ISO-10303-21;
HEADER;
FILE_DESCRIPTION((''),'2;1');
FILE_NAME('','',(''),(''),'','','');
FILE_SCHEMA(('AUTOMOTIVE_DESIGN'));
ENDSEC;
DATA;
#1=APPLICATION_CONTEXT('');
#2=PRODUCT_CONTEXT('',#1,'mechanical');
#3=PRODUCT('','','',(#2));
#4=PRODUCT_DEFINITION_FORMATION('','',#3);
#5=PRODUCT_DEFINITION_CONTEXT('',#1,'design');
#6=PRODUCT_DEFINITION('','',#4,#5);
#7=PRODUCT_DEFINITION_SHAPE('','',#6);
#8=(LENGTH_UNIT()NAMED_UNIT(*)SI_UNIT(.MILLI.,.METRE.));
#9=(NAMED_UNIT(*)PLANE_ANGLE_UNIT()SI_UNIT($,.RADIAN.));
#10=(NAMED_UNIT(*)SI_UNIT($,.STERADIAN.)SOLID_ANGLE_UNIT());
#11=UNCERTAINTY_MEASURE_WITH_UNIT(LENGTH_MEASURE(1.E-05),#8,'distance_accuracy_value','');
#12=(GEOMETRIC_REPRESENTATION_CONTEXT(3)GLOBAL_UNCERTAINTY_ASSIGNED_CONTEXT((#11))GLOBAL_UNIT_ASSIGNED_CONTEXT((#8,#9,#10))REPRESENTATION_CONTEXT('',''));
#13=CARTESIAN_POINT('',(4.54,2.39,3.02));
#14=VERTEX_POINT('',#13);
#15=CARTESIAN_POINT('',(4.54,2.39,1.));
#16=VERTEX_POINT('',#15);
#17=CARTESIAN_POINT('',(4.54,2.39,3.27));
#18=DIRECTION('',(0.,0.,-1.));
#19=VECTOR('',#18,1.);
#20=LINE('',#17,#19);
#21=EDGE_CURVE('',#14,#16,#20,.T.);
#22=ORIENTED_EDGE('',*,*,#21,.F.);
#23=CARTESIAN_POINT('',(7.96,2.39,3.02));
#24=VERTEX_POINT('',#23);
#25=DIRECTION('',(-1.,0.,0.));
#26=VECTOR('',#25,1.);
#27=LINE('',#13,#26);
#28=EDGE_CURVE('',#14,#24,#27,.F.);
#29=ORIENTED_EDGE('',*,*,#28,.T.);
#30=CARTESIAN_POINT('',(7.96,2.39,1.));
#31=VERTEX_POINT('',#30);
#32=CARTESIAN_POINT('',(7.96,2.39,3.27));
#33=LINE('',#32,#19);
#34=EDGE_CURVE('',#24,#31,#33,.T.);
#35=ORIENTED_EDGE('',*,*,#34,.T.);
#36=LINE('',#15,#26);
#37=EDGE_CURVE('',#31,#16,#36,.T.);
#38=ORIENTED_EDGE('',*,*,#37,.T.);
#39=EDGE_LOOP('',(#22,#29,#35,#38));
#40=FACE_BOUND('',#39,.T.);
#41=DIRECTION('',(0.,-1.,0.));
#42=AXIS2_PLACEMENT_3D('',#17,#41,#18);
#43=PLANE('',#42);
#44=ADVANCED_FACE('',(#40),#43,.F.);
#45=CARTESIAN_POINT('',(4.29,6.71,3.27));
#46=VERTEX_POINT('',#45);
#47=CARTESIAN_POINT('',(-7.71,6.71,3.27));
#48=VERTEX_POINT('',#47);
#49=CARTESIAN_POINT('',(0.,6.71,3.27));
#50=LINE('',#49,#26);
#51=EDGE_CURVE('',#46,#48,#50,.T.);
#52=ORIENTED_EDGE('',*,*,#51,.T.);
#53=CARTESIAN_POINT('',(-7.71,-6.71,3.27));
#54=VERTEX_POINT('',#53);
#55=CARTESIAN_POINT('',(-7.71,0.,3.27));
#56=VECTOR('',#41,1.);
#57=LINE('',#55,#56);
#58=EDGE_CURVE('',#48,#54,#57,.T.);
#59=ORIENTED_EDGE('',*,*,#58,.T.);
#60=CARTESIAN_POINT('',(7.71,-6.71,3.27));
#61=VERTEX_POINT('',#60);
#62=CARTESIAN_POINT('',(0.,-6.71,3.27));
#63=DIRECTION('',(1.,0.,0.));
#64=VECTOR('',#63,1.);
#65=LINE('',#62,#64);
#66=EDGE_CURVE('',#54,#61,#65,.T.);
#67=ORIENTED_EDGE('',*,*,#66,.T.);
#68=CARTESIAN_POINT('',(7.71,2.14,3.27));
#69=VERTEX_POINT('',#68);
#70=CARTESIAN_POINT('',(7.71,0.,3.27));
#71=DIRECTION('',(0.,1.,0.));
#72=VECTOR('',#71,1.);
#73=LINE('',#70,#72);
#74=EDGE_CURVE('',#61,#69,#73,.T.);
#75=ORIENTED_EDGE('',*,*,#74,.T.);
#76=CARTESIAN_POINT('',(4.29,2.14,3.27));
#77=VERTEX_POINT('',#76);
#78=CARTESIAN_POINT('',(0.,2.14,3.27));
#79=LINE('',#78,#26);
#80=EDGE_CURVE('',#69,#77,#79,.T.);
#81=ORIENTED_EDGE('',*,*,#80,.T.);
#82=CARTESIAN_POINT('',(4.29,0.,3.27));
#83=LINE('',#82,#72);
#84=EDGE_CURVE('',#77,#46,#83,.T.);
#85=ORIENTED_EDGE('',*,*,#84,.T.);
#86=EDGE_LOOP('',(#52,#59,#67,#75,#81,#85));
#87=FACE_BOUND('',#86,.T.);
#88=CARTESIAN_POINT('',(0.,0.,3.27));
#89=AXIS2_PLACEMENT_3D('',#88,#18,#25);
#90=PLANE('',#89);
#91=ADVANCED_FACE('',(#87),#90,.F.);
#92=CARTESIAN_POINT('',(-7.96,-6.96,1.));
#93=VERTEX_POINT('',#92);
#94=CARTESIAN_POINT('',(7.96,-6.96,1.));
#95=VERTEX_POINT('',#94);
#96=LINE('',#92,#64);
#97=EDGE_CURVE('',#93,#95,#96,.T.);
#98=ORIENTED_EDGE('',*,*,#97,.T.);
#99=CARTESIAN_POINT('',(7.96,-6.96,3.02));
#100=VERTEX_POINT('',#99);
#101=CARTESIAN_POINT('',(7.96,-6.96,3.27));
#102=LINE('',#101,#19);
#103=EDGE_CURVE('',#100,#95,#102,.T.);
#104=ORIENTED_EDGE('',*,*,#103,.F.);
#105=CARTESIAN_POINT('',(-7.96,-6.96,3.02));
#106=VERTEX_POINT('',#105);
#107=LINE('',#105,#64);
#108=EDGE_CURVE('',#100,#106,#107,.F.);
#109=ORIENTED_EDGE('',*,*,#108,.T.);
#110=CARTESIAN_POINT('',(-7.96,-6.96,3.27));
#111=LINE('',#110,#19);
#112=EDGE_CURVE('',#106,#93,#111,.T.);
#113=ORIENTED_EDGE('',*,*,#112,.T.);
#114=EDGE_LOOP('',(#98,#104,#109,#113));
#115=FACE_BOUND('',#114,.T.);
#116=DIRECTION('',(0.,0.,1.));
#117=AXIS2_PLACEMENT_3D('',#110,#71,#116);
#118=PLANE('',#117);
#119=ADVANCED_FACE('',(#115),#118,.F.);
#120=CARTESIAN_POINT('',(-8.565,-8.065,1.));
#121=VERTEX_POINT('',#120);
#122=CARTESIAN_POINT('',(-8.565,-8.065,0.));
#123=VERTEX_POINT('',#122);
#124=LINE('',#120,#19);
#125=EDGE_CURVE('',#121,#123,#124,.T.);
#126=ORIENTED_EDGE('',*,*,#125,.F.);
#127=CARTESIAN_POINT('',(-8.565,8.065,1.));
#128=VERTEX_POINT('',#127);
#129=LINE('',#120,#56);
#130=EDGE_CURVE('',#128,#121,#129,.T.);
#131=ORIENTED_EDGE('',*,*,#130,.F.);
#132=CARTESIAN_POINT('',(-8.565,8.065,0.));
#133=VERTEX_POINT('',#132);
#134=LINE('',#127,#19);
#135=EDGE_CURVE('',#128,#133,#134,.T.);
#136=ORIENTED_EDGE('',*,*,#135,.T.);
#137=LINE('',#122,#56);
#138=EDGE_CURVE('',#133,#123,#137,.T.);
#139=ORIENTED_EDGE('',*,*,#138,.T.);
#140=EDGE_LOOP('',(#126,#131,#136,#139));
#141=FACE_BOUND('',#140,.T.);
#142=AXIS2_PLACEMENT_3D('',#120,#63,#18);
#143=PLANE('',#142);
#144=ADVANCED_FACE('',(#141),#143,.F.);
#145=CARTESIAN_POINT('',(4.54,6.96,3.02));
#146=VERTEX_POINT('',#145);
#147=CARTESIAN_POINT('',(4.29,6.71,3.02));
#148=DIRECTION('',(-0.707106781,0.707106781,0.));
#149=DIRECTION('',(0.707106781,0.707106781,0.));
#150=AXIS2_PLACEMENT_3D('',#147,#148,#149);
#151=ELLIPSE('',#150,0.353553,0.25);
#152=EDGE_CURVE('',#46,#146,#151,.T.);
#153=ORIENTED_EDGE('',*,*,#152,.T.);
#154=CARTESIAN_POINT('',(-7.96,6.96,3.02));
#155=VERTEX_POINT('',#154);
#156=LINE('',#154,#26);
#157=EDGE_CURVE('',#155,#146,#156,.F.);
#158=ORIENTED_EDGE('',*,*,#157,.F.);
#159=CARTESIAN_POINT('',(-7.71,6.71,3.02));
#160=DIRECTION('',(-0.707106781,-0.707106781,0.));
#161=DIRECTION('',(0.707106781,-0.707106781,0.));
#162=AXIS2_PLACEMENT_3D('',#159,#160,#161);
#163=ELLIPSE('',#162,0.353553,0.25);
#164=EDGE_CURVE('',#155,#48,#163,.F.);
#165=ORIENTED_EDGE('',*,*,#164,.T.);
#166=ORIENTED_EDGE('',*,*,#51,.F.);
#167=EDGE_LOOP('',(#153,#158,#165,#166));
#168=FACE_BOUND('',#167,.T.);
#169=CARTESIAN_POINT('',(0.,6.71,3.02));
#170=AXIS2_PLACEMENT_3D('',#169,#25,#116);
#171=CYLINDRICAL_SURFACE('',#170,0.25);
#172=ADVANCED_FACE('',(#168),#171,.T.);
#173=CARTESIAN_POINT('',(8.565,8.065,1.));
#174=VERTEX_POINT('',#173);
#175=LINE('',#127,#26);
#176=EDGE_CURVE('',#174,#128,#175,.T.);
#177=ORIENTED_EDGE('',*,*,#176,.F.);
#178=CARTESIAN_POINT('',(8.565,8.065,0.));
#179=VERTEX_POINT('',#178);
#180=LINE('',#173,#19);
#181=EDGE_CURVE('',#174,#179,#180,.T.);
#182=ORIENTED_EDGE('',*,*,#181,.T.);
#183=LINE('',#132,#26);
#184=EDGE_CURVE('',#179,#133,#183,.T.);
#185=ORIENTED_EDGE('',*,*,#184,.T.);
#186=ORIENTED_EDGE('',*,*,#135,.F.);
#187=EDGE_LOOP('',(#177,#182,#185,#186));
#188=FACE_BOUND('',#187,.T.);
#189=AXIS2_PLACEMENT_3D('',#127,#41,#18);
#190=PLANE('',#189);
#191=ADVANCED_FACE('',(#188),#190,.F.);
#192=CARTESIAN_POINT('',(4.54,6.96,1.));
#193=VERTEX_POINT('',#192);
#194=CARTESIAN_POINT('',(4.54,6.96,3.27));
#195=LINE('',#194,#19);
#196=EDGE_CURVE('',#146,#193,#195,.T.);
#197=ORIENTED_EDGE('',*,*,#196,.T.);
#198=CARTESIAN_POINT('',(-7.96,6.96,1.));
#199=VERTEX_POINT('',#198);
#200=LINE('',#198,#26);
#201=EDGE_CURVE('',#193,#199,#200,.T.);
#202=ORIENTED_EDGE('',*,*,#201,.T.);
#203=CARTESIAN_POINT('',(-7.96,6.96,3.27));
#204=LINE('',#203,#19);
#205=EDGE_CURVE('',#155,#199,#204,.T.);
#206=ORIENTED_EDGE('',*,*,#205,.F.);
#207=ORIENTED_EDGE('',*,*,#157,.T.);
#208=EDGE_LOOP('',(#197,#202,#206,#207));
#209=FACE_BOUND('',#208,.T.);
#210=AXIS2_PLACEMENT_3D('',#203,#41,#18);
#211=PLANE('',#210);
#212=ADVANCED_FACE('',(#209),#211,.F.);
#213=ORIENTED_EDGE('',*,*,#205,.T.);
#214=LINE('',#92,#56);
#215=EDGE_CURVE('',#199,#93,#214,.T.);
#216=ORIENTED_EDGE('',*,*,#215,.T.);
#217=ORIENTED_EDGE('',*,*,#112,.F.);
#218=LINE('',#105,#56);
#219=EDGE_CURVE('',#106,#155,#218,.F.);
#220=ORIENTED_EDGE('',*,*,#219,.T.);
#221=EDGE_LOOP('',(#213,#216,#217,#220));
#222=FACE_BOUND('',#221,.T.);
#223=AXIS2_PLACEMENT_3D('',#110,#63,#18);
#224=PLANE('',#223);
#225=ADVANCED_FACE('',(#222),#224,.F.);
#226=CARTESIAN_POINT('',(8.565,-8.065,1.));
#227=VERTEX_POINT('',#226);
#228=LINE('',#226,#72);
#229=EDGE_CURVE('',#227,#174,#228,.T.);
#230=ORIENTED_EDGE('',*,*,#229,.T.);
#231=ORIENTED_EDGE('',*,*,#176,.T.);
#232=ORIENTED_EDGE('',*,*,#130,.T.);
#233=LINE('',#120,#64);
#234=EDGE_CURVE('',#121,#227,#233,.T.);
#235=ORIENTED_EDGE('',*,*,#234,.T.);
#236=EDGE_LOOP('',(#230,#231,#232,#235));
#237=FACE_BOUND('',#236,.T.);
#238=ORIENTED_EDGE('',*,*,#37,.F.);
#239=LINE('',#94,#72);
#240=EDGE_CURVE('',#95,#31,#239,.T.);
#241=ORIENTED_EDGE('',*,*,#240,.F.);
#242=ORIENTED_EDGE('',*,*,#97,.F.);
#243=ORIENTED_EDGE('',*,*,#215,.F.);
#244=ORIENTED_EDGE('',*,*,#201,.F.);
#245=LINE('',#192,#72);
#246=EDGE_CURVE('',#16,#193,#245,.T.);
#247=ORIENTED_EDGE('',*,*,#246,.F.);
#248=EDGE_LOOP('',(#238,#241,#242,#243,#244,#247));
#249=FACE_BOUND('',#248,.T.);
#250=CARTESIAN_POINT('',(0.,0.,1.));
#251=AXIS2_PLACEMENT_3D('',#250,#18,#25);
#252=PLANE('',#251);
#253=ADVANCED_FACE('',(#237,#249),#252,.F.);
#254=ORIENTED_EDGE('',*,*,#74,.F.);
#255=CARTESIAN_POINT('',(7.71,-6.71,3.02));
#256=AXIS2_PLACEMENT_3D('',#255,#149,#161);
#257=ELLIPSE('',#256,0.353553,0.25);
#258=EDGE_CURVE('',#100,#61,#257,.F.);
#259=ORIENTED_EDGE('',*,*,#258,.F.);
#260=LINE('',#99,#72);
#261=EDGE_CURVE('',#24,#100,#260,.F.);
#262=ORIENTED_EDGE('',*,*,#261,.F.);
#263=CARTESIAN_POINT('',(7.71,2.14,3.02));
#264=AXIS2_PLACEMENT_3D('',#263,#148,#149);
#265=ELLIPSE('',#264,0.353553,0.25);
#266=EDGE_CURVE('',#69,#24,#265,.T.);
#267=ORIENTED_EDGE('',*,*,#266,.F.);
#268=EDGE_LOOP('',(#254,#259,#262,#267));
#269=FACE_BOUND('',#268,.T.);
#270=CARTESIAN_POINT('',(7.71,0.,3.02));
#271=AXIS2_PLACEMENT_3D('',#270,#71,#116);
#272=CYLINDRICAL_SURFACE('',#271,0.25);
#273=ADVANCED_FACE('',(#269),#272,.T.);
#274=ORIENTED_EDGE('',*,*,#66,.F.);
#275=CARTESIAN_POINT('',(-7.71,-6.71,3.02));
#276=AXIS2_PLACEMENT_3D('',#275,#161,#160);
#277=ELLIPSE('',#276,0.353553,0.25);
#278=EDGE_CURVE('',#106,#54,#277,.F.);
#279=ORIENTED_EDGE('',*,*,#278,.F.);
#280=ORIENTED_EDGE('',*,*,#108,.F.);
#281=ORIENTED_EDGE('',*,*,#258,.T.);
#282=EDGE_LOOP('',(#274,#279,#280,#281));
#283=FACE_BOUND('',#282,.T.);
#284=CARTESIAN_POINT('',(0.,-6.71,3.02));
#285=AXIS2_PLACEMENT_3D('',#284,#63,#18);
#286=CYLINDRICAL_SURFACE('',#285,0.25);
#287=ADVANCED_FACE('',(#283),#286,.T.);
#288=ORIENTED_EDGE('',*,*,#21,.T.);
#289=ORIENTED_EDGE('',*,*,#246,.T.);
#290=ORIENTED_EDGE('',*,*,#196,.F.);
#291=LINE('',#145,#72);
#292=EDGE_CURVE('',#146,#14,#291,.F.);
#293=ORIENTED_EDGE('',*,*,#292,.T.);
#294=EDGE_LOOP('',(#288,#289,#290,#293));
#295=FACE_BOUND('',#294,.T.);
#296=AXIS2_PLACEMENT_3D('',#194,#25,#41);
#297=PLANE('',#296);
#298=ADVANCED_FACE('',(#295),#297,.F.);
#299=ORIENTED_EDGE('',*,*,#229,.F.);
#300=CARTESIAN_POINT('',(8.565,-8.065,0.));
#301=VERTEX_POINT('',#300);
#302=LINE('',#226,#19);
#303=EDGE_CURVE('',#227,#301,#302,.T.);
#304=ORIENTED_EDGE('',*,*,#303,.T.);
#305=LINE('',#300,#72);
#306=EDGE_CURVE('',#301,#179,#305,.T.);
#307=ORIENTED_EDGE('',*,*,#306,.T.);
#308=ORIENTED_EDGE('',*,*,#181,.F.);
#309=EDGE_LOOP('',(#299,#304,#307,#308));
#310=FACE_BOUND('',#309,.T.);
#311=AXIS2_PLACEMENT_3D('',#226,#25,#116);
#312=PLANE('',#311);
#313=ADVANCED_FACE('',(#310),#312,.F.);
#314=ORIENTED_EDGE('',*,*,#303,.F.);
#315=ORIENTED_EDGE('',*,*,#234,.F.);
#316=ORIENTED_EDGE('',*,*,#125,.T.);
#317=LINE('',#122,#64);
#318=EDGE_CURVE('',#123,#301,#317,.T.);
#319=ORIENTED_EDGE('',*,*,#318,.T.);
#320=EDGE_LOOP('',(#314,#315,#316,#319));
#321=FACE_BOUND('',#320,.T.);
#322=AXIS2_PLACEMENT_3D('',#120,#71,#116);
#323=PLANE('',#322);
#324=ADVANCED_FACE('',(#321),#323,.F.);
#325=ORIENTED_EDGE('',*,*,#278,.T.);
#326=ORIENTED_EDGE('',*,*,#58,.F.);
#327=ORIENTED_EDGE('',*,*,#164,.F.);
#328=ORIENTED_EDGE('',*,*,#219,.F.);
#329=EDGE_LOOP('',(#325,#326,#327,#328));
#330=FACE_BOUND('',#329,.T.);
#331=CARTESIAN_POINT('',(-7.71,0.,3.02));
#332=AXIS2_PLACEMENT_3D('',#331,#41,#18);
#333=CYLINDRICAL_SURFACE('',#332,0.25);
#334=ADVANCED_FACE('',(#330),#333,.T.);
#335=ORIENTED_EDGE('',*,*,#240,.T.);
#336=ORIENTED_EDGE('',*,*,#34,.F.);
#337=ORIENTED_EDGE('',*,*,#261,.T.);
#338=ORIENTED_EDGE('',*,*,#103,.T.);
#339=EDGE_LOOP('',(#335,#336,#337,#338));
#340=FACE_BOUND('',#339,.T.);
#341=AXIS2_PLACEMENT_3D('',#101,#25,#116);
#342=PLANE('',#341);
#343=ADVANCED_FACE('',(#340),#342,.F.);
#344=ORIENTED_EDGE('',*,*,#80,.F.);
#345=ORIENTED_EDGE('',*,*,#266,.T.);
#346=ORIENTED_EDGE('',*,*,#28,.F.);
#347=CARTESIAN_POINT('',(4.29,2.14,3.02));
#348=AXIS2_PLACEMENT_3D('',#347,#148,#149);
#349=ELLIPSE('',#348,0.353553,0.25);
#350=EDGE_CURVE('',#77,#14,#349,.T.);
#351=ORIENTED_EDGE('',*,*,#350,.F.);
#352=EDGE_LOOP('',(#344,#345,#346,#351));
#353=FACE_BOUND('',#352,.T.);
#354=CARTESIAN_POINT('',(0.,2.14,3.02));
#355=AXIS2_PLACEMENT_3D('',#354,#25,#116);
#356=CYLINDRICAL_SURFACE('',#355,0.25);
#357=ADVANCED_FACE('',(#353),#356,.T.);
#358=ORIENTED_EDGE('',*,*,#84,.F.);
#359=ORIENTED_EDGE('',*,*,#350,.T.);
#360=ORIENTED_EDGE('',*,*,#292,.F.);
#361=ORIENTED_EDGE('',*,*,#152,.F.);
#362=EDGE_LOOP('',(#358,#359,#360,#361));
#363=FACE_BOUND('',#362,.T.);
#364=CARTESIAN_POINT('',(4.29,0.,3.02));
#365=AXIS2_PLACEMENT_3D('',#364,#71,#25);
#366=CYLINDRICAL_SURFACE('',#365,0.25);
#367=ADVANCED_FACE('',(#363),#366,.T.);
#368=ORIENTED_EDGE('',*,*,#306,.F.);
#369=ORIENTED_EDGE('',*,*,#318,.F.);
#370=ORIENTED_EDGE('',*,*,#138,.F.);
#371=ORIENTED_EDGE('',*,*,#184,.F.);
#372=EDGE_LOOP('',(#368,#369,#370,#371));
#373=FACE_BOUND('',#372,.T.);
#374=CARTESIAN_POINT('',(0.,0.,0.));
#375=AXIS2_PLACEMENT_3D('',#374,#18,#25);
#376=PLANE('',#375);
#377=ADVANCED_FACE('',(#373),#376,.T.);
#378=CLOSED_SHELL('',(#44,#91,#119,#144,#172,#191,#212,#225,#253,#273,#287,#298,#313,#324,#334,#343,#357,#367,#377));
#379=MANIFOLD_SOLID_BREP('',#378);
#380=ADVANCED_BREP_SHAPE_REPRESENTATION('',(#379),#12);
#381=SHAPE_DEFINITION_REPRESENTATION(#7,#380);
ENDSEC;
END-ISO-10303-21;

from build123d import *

# Parameters (mm, degrees)
SKETCH_1_W      = 17.13
SKETCH_1_H      = 16.13
EXTRUDE_1_DEPTH = 1
EXTRUDE_2_DEPTH = 2.27
FILLET_1_R      = 0.25


with BuildPart() as part:
    # Эскиз1 → Бобышка-Вытянуть1 (new body)
    with BuildSketch(Plane.XY):
        Rectangle(SKETCH_1_W, SKETCH_1_H)
    extrude(amount=EXTRUDE_1_DEPTH)

    # Эскиз2 → Бобышка-Вытянуть2 (add)
    with BuildSketch(Plane.XY.offset(1)):
        Polygon((4.54, 6.96), (4.54, 2.39), (7.96, 2.39), (7.96, -6.96), (-7.96, -6.96), (-7.96, 6.96), align=None)
    extrude(amount=EXTRUDE_2_DEPTH)

    # Скругление1
    fillet_1_edges = [part.edges().sort_by_distance(p)[0] for p in [
        (-7.96, 0, 3.27),
        (0, -6.96, 3.27),
        (7.96, -2.285, 3.27),
        (6.25, 2.39, 3.27),
        (4.54, 4.675, 3.27),
        (-1.71, 6.96, 3.27),
    ]]
    fillet(fillet_1_edges, radius=FILLET_1_R)


solid = part.part
